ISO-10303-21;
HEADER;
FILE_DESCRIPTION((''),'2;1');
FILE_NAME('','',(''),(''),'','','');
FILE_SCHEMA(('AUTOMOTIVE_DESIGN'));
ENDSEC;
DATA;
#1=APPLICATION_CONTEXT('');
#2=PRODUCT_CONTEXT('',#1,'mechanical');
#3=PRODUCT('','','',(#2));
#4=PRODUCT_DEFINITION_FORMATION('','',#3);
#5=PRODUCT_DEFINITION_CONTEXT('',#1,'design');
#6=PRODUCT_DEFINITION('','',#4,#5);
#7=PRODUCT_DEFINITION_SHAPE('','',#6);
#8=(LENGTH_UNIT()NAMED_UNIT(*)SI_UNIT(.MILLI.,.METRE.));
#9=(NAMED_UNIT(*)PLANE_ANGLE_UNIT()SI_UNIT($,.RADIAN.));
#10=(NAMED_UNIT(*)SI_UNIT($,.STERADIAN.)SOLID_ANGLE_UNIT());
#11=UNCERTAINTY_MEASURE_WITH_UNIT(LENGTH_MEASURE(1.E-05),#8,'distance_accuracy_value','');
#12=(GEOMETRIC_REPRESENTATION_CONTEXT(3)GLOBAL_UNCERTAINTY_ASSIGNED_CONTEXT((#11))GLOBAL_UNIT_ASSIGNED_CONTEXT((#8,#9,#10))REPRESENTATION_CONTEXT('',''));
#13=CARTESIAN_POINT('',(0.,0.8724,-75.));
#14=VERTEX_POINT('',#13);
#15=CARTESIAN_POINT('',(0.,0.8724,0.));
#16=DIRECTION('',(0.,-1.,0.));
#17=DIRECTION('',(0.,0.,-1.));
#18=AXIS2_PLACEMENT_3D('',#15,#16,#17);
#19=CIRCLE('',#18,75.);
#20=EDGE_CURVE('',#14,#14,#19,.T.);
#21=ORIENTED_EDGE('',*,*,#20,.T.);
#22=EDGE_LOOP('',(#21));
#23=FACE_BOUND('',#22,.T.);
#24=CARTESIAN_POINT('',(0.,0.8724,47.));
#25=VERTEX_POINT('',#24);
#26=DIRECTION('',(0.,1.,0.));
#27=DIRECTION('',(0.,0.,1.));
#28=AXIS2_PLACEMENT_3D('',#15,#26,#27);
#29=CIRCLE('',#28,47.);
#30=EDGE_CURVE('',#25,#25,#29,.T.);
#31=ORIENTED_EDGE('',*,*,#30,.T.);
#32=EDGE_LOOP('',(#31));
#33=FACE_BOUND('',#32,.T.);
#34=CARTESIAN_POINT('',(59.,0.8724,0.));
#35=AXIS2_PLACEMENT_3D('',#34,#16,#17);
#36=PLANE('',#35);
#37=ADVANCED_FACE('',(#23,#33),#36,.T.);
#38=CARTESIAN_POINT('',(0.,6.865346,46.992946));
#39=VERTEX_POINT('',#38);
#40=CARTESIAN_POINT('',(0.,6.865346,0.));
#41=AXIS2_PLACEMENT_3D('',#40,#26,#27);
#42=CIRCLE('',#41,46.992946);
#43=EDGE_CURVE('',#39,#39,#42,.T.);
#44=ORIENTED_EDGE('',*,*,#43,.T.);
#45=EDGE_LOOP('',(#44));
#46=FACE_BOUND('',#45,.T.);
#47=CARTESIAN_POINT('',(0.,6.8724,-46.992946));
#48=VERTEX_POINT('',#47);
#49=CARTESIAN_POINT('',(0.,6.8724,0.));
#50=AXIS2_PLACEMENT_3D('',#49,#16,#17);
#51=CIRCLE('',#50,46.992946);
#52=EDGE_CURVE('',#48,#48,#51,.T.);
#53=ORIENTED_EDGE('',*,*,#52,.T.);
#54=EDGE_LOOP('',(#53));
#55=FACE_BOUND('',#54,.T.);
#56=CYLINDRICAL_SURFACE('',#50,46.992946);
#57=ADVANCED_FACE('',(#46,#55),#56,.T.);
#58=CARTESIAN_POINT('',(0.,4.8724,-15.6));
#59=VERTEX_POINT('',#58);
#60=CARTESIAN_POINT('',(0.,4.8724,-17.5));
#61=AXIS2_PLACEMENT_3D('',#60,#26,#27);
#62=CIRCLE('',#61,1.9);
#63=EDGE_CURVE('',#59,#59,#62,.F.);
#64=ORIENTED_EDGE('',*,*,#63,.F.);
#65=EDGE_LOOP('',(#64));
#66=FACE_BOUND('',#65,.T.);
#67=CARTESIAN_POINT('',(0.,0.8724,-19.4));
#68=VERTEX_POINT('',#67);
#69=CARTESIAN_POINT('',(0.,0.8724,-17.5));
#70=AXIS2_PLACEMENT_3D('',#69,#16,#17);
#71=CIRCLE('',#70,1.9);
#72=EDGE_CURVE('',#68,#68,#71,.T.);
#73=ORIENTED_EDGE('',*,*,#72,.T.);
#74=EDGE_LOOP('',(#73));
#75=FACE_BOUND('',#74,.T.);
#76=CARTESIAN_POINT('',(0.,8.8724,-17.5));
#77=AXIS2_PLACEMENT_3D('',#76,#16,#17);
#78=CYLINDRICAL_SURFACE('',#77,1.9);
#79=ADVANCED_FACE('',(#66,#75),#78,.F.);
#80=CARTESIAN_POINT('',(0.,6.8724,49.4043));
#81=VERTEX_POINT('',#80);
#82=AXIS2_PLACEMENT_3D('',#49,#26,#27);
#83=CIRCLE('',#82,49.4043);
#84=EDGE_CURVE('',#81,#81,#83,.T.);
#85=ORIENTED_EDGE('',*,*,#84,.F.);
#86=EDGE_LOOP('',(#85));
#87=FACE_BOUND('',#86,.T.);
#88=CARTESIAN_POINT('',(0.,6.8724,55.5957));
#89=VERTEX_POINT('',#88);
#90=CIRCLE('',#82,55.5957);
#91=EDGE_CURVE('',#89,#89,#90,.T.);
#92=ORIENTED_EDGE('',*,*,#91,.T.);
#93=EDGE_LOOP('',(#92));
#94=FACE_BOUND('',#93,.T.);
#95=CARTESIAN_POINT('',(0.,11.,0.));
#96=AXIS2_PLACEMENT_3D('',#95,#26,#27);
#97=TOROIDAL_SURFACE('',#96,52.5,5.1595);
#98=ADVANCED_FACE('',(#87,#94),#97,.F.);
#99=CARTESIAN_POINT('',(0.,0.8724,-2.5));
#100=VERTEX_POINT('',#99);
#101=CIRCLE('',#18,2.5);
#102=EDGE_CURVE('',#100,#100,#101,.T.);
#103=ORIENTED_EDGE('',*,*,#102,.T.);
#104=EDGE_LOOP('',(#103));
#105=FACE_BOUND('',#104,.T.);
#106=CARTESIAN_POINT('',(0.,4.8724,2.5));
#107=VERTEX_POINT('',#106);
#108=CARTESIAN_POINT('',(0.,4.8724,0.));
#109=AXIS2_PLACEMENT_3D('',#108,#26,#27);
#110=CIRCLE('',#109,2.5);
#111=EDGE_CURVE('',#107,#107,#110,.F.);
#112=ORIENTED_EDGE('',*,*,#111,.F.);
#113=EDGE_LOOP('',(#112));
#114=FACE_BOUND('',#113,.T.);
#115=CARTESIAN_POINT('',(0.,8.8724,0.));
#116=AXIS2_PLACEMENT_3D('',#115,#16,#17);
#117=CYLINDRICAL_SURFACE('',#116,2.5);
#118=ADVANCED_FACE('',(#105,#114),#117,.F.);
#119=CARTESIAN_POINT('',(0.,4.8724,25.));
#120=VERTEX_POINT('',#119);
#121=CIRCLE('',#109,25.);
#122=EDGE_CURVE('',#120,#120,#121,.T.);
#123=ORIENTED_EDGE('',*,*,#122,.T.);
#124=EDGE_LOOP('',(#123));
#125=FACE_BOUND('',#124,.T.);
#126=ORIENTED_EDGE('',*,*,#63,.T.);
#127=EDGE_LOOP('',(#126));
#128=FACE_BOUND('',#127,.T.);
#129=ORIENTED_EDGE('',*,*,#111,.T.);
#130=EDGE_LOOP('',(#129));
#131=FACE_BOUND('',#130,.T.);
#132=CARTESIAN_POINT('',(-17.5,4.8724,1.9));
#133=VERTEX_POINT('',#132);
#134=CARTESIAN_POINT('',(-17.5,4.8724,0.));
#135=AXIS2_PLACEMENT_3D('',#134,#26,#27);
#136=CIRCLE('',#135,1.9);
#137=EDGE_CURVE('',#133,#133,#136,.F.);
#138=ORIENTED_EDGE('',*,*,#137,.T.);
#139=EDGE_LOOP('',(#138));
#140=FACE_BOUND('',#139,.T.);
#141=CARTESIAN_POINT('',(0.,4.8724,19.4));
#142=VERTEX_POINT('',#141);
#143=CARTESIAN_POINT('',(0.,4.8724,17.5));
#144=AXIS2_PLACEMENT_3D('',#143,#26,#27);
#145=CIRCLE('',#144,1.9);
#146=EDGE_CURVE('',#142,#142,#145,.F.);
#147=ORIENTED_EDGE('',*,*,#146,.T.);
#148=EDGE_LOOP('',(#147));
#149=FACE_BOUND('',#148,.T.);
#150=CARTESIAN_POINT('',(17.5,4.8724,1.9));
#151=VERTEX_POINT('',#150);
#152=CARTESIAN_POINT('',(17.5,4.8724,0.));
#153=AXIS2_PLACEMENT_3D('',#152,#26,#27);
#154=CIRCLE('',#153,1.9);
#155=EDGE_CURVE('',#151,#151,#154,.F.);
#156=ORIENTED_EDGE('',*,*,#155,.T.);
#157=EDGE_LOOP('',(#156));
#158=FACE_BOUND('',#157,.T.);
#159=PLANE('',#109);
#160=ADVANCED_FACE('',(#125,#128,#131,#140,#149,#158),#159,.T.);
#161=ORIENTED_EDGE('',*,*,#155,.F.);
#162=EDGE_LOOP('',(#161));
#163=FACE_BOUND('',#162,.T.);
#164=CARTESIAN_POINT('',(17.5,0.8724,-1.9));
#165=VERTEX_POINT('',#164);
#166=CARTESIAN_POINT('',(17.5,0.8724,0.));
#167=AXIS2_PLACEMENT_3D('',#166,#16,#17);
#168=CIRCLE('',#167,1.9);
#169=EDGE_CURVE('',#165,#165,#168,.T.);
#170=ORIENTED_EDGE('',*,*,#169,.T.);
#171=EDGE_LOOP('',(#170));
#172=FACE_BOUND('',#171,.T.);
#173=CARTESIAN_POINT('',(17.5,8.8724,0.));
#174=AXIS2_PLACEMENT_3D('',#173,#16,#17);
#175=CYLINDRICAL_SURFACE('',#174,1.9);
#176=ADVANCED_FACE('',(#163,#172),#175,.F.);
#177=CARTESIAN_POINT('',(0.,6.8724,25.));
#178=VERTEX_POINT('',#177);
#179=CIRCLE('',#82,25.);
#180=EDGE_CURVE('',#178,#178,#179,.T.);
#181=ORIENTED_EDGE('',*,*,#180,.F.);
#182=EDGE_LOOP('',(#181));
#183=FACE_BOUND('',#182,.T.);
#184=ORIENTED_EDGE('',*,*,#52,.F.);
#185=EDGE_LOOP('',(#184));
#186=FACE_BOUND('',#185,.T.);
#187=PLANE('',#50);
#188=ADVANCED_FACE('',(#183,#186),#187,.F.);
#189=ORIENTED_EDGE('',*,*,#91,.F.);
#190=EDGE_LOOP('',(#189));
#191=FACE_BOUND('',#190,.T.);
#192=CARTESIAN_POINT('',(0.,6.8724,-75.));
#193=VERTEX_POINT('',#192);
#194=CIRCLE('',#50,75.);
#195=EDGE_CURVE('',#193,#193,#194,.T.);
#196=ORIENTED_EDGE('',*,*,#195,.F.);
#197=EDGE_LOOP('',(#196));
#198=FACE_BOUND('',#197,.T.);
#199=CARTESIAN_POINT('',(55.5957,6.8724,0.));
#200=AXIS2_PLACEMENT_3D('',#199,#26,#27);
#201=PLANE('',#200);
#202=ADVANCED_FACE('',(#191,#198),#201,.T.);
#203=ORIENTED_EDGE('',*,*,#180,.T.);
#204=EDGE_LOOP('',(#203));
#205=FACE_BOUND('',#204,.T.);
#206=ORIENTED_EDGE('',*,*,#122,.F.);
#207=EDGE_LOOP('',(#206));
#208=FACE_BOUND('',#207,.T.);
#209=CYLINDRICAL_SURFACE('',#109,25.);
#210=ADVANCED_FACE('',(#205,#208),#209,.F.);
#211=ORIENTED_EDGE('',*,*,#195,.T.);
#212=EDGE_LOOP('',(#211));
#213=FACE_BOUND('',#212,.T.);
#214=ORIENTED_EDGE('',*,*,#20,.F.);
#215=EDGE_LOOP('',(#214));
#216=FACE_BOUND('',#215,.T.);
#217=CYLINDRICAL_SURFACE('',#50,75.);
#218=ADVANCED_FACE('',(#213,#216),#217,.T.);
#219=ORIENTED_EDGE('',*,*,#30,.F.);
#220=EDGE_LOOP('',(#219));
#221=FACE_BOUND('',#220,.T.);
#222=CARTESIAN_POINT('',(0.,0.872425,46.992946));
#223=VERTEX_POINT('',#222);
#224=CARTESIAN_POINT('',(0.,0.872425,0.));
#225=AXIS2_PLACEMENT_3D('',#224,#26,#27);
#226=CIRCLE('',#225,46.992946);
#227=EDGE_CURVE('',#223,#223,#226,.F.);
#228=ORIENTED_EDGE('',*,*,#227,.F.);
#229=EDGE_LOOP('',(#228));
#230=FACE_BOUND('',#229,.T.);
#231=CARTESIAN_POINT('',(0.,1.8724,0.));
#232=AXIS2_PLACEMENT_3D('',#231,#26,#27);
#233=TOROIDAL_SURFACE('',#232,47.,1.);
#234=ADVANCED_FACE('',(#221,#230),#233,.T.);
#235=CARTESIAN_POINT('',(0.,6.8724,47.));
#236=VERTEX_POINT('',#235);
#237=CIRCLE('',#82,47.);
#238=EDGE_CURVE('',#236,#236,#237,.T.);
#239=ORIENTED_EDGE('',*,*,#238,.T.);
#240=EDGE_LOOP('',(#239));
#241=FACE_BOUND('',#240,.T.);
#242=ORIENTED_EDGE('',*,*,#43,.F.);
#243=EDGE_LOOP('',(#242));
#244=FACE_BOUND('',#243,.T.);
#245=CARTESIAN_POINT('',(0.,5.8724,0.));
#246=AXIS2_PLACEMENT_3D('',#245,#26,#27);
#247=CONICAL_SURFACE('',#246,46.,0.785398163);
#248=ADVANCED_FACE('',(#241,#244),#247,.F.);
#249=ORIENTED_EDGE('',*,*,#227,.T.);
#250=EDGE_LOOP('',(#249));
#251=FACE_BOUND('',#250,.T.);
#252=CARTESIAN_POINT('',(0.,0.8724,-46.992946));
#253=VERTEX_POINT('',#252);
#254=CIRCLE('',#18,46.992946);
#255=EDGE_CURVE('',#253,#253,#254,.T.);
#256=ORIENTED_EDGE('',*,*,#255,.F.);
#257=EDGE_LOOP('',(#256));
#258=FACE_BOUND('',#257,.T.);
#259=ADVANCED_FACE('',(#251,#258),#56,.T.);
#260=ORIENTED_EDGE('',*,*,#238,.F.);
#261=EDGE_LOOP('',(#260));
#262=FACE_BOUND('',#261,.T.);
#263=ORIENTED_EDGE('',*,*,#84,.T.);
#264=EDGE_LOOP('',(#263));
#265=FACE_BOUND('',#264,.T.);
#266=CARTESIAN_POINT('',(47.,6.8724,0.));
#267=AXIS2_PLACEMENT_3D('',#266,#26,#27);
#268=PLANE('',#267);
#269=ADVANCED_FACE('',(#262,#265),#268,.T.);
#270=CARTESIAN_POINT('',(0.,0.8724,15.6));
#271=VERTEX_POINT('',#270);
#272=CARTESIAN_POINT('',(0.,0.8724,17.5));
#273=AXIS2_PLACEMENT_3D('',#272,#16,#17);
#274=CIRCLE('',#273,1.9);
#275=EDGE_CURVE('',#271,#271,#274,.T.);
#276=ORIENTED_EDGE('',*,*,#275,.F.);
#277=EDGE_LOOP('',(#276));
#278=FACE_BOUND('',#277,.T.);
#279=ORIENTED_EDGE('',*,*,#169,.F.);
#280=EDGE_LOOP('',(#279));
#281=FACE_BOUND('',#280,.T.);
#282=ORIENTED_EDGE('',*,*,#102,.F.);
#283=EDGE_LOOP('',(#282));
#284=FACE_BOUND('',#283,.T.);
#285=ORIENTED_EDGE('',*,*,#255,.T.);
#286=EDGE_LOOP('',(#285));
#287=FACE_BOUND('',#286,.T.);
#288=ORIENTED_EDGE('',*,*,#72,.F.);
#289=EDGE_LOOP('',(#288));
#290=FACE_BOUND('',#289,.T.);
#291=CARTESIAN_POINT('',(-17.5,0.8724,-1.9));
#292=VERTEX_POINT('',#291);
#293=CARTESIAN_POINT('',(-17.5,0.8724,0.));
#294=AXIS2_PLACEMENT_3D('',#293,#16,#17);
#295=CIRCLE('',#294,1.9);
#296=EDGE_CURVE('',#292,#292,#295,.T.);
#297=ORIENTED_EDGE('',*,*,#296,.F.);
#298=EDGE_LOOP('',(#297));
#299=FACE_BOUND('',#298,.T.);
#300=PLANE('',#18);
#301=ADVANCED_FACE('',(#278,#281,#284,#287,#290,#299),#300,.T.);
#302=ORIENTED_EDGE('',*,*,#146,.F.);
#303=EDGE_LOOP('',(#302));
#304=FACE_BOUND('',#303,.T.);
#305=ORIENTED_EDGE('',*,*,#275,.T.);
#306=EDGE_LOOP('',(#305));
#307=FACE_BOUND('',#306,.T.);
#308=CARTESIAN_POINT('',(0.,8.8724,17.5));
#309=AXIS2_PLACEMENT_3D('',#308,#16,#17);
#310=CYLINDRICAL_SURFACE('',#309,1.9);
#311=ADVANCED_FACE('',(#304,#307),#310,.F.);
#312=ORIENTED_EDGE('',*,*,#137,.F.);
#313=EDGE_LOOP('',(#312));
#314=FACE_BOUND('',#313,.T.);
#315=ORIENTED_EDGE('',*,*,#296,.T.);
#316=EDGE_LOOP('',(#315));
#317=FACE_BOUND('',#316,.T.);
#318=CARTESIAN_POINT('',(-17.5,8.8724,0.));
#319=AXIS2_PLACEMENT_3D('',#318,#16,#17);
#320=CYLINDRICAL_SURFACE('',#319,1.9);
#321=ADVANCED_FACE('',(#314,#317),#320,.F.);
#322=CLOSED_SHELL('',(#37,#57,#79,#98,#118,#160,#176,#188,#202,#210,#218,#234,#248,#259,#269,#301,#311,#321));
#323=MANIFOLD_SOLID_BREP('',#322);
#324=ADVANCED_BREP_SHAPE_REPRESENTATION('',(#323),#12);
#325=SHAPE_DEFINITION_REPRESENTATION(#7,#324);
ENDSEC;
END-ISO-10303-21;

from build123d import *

# Parameters (mm, degrees)
SKETCH2_R           = 75
SKETCH2_R_2         = 59
SKETCH2_R_3         = 46.992946112
BOSS_EXTRUDE1_DEPTH = 6
SKETCH4_R           = 2.5
CUT_EXTRUDE1_DEPTH  = 8
SKETCH5_R           = 1.9
CUT_EXTRUDE2_DEPTH  = 8
SKETCH8_R           = 25
CUT_EXTRUDE4_DEPTH  = 2


with BuildPart() as part:
    # Sketch1 → Revolve1 (revolve)
    with BuildSketch(Plane(origin=(0, 0, 0), x_dir=(-1, 0, 0), z_dir=(0, 0, -1)), mode=Mode.PRIVATE) as revolve1_sk:
        with BuildLine():
            Line((-59, 0.8724), (-47, 0.8724))
            ThreePointArc((-47, 0.8724), (-46.292893219, 1.165293219), (-46, 1.8724))
            Line((-46, 1.8724), (-46, 5.8724))
            Line((-46, 5.8724), (-47, 6.8724))
            Line((-47, 6.8724), (-49.4043, 6.8724))
            ThreePointArc((-49.4043, 6.8724), (-52.5, 5.8405), (-55.5957, 6.8724))
            Line((-55.5957, 6.8724), (-59, 6.8724))
            Line((-59, 6.8724), (-60, 5.8724))
            Line((-60, 5.8724), (-60, 1.8724))
            ThreePointArc((-60, 1.8724), (-59.707106781, 1.165293219), (-59, 0.8724))
        make_face()
    revolve(revolve1_sk.sketch.rotate(Axis((0, 0, 0), (0, 1, 0)), 270), axis=Axis((0, 0, 0), (0, 1, 0)))

    # Sketch2 → Boss-Extrude1 (add)
    # profile 1 of 2: a face of its own
    with BuildSketch(Plane.XZ.offset(-0.8724)):
        with Locations(Location((0, 0, 0), (0, 0, 270))):
            Circle(SKETCH2_R)
        Circle(SKETCH2_R_2, mode=Mode.SUBTRACT)
    # profile 2 of 2: a face of its own
    with BuildSketch(Plane.XZ.offset(-0.8724)):
        with Locations(Location((0, 0, 0), (0, 0, 270))):
            Circle(SKETCH2_R_3)
    extrude(amount=-BOSS_EXTRUDE1_DEPTH)

    # Sketch4 → Cut-Extrude1 (cut)
    with BuildSketch(Plane.XZ.offset(-0.8724)):
        with Locations(Location((0, 0, 0), (0, 0, 270))):
            Circle(SKETCH4_R)
    extrude(amount=-CUT_EXTRUDE1_DEPTH, mode=Mode.SUBTRACT)

    # Sketch5 → Cut-Extrude2 (cut)
    with BuildSketch(Plane.XZ.offset(-0.8724)):
        with Locations(Location((0, 17.5, 0), (0, 0, 270))):
            Circle(SKETCH5_R)
        with Locations(Location((17.5, 0, 0), (0, 0, 270))):
            Circle(SKETCH5_R)
        with Locations(Location((0, -17.5, 0), (0, 0, 270))):
            Circle(SKETCH5_R)
        with Locations(Location((-17.5, 0, 0), (0, 0, 270))):
            Circle(SKETCH5_R)
    extrude(amount=-CUT_EXTRUDE2_DEPTH, mode=Mode.SUBTRACT)

    # Sketch8 → Cut-Extrude4 (cut)
    with BuildSketch(Plane(origin=(0, 6.8724, 0), x_dir=(1, 0, 0), z_dir=(0, 1, 0))):
        with Locations(Location((0, 0, 0), (0, 0, 270))):
            Circle(SKETCH8_R)
    extrude(amount=-CUT_EXTRUDE4_DEPTH, mode=Mode.SUBTRACT)


solid = part.part
